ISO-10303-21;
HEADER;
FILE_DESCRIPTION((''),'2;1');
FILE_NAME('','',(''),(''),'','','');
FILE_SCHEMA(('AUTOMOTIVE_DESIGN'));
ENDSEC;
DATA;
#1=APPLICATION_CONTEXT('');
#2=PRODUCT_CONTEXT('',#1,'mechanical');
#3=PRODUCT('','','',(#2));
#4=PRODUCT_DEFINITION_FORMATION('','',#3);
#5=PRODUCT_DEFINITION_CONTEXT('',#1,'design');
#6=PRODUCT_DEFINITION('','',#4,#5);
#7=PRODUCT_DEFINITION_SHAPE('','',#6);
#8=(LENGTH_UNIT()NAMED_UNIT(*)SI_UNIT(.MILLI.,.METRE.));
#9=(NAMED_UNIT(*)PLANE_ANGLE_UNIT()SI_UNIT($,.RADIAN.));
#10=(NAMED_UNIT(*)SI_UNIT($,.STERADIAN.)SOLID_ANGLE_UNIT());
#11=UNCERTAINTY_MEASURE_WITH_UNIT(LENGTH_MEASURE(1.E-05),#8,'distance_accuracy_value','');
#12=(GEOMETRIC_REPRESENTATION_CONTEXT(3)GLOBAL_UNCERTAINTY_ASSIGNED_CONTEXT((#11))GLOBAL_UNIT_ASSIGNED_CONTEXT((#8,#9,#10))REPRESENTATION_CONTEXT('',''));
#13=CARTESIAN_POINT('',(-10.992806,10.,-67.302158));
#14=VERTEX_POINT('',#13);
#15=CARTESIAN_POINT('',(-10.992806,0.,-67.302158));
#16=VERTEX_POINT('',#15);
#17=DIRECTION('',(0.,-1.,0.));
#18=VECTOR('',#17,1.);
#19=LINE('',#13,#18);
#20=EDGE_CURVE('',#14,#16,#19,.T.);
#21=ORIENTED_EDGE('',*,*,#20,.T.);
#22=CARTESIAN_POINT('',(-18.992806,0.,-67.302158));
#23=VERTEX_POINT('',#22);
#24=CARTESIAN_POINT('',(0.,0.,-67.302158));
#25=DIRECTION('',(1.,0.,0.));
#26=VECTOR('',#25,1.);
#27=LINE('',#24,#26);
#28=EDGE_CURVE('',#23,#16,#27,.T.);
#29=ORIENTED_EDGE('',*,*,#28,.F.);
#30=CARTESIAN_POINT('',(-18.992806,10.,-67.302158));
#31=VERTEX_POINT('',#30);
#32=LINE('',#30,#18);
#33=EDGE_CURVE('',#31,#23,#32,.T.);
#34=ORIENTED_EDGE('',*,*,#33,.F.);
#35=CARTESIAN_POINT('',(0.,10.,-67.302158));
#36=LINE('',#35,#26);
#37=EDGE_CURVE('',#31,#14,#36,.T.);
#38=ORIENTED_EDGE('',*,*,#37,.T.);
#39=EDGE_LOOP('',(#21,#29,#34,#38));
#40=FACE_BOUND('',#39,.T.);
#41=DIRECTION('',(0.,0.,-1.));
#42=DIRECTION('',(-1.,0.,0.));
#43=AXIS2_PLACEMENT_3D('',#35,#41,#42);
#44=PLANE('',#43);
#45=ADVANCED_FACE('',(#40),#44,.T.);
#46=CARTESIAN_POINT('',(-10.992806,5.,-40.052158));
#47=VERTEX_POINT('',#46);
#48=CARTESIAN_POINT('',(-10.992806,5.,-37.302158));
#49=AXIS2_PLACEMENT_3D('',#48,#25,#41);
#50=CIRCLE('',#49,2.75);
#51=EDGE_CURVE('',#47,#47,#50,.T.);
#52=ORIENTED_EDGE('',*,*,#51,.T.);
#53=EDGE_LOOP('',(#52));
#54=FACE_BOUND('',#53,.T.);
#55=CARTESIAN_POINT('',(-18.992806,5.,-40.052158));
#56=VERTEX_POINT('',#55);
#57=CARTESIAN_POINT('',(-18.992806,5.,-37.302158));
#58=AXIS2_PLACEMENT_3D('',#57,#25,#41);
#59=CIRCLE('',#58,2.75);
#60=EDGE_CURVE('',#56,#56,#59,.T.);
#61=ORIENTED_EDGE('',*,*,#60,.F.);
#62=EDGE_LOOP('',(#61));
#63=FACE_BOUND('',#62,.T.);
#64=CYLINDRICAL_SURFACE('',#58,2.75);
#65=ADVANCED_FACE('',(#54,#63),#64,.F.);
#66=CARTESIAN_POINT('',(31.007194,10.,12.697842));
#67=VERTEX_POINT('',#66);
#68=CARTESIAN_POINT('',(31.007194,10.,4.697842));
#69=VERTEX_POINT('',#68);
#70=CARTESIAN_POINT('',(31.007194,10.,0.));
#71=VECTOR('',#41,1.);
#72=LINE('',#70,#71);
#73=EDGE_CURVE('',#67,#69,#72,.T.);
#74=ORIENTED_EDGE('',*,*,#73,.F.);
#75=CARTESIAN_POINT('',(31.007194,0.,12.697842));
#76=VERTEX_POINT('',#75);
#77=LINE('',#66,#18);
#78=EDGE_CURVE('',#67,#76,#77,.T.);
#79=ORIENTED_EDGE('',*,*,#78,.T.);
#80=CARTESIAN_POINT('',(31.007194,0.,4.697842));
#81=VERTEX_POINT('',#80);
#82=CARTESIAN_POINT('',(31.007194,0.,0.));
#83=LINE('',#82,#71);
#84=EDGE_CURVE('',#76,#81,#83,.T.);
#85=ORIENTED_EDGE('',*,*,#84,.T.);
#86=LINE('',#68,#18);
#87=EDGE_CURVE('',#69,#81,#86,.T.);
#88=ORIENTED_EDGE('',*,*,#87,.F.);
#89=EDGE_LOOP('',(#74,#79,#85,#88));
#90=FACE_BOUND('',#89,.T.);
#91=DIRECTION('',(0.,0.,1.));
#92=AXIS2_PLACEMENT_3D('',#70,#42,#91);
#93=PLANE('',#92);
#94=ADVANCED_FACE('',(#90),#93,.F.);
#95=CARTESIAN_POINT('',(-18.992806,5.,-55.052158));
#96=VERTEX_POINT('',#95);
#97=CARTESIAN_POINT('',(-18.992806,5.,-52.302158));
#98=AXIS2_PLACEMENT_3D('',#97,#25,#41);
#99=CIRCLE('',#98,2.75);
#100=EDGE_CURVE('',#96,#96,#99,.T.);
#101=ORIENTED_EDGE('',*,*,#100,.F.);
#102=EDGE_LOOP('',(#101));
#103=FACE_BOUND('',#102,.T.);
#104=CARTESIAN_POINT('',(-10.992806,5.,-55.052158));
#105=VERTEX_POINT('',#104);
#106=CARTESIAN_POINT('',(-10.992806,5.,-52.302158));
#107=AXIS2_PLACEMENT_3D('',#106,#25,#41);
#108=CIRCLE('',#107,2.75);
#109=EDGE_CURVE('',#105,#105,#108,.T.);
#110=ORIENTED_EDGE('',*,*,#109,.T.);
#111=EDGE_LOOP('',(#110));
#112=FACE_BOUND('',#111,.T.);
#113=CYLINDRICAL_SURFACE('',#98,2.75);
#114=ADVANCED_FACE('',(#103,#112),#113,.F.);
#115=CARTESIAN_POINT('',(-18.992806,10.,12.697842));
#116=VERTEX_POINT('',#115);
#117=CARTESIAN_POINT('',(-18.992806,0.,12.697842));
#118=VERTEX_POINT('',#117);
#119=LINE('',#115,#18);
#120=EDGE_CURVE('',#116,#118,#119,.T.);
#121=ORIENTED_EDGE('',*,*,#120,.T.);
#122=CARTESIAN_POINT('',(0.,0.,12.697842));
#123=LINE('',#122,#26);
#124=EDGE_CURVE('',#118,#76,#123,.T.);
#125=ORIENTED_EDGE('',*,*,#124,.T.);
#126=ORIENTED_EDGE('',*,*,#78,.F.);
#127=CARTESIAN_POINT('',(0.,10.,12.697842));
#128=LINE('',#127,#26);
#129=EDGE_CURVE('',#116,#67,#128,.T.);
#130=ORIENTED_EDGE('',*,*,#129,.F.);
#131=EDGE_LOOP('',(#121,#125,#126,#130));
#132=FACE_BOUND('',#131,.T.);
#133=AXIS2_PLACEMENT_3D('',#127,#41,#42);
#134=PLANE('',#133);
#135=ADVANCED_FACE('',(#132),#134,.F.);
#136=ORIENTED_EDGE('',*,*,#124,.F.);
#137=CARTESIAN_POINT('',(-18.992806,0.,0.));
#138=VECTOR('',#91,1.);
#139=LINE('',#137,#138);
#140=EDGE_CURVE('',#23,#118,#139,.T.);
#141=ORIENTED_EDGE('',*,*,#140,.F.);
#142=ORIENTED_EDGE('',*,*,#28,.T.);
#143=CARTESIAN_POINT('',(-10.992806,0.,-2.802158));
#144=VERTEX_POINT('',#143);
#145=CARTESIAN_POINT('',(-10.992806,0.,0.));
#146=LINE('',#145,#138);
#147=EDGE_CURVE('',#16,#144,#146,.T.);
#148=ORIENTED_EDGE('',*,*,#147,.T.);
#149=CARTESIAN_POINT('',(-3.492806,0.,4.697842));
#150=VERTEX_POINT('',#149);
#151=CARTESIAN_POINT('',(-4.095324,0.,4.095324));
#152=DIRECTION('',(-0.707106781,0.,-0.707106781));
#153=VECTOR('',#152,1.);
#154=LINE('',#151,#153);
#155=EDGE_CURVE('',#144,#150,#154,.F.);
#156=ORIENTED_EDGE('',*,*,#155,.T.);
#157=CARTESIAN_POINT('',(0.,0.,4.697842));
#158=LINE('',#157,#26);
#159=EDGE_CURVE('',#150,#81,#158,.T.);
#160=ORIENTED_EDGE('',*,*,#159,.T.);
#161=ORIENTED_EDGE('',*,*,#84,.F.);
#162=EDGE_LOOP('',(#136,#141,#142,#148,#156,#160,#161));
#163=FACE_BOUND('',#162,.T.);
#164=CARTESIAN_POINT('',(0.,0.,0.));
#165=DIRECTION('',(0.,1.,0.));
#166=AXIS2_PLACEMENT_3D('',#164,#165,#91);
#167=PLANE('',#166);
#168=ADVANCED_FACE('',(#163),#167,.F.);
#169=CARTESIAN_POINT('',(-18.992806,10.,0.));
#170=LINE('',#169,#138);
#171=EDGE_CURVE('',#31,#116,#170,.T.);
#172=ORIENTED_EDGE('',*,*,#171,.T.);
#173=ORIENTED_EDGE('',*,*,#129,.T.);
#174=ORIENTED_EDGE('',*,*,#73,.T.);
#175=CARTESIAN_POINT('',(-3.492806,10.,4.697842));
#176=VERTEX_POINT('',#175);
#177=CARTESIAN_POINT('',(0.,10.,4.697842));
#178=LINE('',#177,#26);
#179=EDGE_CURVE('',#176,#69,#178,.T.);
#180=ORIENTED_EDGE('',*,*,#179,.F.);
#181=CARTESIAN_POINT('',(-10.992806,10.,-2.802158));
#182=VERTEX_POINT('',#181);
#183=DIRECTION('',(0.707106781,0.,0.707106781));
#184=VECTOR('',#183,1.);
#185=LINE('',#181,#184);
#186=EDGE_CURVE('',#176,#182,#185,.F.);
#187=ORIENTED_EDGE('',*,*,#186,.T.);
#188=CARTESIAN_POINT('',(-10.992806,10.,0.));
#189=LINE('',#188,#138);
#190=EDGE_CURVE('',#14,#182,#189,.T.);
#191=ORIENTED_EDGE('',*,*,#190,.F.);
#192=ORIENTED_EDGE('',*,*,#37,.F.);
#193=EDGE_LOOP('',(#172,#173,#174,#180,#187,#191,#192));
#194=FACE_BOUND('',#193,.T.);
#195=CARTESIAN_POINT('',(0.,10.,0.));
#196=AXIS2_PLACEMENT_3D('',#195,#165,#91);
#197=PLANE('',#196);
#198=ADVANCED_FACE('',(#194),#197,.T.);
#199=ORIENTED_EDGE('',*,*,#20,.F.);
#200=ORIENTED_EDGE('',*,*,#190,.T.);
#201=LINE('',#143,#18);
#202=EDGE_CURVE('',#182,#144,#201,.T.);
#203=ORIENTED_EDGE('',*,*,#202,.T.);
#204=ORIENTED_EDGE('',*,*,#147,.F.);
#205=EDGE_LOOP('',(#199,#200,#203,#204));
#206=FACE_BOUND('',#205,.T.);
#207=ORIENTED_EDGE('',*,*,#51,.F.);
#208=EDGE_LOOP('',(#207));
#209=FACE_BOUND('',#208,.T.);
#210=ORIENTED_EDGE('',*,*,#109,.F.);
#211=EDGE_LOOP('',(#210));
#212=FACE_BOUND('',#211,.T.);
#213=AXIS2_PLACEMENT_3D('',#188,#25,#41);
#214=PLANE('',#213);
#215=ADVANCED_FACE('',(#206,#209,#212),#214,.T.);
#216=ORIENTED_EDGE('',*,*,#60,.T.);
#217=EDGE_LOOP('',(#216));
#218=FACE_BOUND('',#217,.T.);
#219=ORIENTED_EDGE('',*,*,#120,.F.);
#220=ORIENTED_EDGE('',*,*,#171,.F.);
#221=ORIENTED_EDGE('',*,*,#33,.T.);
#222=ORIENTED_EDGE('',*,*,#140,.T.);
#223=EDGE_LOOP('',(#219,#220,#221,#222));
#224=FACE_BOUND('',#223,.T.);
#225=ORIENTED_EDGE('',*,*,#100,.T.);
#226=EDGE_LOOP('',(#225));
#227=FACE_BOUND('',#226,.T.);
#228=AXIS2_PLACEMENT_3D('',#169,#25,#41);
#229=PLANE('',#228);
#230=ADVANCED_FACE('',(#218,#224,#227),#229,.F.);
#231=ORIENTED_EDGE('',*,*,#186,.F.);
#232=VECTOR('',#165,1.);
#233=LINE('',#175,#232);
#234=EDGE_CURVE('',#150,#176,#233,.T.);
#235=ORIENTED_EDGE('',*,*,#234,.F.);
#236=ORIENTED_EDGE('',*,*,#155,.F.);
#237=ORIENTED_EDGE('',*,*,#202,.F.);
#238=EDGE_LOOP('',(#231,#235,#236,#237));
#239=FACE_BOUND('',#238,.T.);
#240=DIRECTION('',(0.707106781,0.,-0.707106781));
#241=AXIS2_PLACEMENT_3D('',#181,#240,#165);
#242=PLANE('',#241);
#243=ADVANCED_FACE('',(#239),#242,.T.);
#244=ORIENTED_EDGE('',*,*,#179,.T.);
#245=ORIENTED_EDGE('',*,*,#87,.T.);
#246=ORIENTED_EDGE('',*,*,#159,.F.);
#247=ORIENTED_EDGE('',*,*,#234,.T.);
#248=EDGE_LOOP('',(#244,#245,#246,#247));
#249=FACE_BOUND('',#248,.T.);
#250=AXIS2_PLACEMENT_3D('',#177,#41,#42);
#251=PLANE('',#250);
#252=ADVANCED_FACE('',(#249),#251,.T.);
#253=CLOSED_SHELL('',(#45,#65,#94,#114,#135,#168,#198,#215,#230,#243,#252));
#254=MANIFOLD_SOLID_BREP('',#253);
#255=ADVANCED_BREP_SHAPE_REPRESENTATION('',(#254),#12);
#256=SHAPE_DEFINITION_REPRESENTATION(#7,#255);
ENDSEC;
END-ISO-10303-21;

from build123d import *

# Parameters (mm, degrees)
EXTRUDE_1_DEPTH     = 10
CHAMFER_1_SIZE      = 7.5
SKETCH_2_R          = 2.75
CUT_EXTRUDE_1_DEPTH = 80.959868111


with BuildPart() as part:
    # 草图1 → 凸台-拉伸1 (new body)
    with BuildSketch(Plane(origin=(0, 0, 0), x_dir=(1, 0, 0), z_dir=(0, 1, 0))):
        Polygon((-10.992805755, 67.302158273), (-18.992805755, 67.302158273), (-18.992805755, -4.697841727), (-18.992805755, -12.697841727), (-10.992805755, -12.697841727), (31.007194245, -12.697841727), (31.007194245, -4.697841727), (-10.992805755, -4.697841727), align=None)
    extrude(amount=EXTRUDE_1_DEPTH)

    # 倒角1
    chamfer_1_edges = [part.edges().sort_by_distance(p)[0] for p in [
        (-10.992805755, 5, 4.697841727),
    ]]
    chamfer(chamfer_1_edges, length=CHAMFER_1_SIZE)

    # 草图2 → 切除-拉伸1 (cut, through all)
    with BuildSketch(Plane(origin=(-10.992805755, 0, 0), x_dir=(0, 0, -1), z_dir=(1, 0, 0))):
        with Locations((37.302158273, 5)):
            Circle(SKETCH_2_R)
        with Locations((52.302158273, 5)):
            Circle(SKETCH_2_R)
    extrude(amount=-CUT_EXTRUDE_1_DEPTH, mode=Mode.SUBTRACT)


solid = part.part
